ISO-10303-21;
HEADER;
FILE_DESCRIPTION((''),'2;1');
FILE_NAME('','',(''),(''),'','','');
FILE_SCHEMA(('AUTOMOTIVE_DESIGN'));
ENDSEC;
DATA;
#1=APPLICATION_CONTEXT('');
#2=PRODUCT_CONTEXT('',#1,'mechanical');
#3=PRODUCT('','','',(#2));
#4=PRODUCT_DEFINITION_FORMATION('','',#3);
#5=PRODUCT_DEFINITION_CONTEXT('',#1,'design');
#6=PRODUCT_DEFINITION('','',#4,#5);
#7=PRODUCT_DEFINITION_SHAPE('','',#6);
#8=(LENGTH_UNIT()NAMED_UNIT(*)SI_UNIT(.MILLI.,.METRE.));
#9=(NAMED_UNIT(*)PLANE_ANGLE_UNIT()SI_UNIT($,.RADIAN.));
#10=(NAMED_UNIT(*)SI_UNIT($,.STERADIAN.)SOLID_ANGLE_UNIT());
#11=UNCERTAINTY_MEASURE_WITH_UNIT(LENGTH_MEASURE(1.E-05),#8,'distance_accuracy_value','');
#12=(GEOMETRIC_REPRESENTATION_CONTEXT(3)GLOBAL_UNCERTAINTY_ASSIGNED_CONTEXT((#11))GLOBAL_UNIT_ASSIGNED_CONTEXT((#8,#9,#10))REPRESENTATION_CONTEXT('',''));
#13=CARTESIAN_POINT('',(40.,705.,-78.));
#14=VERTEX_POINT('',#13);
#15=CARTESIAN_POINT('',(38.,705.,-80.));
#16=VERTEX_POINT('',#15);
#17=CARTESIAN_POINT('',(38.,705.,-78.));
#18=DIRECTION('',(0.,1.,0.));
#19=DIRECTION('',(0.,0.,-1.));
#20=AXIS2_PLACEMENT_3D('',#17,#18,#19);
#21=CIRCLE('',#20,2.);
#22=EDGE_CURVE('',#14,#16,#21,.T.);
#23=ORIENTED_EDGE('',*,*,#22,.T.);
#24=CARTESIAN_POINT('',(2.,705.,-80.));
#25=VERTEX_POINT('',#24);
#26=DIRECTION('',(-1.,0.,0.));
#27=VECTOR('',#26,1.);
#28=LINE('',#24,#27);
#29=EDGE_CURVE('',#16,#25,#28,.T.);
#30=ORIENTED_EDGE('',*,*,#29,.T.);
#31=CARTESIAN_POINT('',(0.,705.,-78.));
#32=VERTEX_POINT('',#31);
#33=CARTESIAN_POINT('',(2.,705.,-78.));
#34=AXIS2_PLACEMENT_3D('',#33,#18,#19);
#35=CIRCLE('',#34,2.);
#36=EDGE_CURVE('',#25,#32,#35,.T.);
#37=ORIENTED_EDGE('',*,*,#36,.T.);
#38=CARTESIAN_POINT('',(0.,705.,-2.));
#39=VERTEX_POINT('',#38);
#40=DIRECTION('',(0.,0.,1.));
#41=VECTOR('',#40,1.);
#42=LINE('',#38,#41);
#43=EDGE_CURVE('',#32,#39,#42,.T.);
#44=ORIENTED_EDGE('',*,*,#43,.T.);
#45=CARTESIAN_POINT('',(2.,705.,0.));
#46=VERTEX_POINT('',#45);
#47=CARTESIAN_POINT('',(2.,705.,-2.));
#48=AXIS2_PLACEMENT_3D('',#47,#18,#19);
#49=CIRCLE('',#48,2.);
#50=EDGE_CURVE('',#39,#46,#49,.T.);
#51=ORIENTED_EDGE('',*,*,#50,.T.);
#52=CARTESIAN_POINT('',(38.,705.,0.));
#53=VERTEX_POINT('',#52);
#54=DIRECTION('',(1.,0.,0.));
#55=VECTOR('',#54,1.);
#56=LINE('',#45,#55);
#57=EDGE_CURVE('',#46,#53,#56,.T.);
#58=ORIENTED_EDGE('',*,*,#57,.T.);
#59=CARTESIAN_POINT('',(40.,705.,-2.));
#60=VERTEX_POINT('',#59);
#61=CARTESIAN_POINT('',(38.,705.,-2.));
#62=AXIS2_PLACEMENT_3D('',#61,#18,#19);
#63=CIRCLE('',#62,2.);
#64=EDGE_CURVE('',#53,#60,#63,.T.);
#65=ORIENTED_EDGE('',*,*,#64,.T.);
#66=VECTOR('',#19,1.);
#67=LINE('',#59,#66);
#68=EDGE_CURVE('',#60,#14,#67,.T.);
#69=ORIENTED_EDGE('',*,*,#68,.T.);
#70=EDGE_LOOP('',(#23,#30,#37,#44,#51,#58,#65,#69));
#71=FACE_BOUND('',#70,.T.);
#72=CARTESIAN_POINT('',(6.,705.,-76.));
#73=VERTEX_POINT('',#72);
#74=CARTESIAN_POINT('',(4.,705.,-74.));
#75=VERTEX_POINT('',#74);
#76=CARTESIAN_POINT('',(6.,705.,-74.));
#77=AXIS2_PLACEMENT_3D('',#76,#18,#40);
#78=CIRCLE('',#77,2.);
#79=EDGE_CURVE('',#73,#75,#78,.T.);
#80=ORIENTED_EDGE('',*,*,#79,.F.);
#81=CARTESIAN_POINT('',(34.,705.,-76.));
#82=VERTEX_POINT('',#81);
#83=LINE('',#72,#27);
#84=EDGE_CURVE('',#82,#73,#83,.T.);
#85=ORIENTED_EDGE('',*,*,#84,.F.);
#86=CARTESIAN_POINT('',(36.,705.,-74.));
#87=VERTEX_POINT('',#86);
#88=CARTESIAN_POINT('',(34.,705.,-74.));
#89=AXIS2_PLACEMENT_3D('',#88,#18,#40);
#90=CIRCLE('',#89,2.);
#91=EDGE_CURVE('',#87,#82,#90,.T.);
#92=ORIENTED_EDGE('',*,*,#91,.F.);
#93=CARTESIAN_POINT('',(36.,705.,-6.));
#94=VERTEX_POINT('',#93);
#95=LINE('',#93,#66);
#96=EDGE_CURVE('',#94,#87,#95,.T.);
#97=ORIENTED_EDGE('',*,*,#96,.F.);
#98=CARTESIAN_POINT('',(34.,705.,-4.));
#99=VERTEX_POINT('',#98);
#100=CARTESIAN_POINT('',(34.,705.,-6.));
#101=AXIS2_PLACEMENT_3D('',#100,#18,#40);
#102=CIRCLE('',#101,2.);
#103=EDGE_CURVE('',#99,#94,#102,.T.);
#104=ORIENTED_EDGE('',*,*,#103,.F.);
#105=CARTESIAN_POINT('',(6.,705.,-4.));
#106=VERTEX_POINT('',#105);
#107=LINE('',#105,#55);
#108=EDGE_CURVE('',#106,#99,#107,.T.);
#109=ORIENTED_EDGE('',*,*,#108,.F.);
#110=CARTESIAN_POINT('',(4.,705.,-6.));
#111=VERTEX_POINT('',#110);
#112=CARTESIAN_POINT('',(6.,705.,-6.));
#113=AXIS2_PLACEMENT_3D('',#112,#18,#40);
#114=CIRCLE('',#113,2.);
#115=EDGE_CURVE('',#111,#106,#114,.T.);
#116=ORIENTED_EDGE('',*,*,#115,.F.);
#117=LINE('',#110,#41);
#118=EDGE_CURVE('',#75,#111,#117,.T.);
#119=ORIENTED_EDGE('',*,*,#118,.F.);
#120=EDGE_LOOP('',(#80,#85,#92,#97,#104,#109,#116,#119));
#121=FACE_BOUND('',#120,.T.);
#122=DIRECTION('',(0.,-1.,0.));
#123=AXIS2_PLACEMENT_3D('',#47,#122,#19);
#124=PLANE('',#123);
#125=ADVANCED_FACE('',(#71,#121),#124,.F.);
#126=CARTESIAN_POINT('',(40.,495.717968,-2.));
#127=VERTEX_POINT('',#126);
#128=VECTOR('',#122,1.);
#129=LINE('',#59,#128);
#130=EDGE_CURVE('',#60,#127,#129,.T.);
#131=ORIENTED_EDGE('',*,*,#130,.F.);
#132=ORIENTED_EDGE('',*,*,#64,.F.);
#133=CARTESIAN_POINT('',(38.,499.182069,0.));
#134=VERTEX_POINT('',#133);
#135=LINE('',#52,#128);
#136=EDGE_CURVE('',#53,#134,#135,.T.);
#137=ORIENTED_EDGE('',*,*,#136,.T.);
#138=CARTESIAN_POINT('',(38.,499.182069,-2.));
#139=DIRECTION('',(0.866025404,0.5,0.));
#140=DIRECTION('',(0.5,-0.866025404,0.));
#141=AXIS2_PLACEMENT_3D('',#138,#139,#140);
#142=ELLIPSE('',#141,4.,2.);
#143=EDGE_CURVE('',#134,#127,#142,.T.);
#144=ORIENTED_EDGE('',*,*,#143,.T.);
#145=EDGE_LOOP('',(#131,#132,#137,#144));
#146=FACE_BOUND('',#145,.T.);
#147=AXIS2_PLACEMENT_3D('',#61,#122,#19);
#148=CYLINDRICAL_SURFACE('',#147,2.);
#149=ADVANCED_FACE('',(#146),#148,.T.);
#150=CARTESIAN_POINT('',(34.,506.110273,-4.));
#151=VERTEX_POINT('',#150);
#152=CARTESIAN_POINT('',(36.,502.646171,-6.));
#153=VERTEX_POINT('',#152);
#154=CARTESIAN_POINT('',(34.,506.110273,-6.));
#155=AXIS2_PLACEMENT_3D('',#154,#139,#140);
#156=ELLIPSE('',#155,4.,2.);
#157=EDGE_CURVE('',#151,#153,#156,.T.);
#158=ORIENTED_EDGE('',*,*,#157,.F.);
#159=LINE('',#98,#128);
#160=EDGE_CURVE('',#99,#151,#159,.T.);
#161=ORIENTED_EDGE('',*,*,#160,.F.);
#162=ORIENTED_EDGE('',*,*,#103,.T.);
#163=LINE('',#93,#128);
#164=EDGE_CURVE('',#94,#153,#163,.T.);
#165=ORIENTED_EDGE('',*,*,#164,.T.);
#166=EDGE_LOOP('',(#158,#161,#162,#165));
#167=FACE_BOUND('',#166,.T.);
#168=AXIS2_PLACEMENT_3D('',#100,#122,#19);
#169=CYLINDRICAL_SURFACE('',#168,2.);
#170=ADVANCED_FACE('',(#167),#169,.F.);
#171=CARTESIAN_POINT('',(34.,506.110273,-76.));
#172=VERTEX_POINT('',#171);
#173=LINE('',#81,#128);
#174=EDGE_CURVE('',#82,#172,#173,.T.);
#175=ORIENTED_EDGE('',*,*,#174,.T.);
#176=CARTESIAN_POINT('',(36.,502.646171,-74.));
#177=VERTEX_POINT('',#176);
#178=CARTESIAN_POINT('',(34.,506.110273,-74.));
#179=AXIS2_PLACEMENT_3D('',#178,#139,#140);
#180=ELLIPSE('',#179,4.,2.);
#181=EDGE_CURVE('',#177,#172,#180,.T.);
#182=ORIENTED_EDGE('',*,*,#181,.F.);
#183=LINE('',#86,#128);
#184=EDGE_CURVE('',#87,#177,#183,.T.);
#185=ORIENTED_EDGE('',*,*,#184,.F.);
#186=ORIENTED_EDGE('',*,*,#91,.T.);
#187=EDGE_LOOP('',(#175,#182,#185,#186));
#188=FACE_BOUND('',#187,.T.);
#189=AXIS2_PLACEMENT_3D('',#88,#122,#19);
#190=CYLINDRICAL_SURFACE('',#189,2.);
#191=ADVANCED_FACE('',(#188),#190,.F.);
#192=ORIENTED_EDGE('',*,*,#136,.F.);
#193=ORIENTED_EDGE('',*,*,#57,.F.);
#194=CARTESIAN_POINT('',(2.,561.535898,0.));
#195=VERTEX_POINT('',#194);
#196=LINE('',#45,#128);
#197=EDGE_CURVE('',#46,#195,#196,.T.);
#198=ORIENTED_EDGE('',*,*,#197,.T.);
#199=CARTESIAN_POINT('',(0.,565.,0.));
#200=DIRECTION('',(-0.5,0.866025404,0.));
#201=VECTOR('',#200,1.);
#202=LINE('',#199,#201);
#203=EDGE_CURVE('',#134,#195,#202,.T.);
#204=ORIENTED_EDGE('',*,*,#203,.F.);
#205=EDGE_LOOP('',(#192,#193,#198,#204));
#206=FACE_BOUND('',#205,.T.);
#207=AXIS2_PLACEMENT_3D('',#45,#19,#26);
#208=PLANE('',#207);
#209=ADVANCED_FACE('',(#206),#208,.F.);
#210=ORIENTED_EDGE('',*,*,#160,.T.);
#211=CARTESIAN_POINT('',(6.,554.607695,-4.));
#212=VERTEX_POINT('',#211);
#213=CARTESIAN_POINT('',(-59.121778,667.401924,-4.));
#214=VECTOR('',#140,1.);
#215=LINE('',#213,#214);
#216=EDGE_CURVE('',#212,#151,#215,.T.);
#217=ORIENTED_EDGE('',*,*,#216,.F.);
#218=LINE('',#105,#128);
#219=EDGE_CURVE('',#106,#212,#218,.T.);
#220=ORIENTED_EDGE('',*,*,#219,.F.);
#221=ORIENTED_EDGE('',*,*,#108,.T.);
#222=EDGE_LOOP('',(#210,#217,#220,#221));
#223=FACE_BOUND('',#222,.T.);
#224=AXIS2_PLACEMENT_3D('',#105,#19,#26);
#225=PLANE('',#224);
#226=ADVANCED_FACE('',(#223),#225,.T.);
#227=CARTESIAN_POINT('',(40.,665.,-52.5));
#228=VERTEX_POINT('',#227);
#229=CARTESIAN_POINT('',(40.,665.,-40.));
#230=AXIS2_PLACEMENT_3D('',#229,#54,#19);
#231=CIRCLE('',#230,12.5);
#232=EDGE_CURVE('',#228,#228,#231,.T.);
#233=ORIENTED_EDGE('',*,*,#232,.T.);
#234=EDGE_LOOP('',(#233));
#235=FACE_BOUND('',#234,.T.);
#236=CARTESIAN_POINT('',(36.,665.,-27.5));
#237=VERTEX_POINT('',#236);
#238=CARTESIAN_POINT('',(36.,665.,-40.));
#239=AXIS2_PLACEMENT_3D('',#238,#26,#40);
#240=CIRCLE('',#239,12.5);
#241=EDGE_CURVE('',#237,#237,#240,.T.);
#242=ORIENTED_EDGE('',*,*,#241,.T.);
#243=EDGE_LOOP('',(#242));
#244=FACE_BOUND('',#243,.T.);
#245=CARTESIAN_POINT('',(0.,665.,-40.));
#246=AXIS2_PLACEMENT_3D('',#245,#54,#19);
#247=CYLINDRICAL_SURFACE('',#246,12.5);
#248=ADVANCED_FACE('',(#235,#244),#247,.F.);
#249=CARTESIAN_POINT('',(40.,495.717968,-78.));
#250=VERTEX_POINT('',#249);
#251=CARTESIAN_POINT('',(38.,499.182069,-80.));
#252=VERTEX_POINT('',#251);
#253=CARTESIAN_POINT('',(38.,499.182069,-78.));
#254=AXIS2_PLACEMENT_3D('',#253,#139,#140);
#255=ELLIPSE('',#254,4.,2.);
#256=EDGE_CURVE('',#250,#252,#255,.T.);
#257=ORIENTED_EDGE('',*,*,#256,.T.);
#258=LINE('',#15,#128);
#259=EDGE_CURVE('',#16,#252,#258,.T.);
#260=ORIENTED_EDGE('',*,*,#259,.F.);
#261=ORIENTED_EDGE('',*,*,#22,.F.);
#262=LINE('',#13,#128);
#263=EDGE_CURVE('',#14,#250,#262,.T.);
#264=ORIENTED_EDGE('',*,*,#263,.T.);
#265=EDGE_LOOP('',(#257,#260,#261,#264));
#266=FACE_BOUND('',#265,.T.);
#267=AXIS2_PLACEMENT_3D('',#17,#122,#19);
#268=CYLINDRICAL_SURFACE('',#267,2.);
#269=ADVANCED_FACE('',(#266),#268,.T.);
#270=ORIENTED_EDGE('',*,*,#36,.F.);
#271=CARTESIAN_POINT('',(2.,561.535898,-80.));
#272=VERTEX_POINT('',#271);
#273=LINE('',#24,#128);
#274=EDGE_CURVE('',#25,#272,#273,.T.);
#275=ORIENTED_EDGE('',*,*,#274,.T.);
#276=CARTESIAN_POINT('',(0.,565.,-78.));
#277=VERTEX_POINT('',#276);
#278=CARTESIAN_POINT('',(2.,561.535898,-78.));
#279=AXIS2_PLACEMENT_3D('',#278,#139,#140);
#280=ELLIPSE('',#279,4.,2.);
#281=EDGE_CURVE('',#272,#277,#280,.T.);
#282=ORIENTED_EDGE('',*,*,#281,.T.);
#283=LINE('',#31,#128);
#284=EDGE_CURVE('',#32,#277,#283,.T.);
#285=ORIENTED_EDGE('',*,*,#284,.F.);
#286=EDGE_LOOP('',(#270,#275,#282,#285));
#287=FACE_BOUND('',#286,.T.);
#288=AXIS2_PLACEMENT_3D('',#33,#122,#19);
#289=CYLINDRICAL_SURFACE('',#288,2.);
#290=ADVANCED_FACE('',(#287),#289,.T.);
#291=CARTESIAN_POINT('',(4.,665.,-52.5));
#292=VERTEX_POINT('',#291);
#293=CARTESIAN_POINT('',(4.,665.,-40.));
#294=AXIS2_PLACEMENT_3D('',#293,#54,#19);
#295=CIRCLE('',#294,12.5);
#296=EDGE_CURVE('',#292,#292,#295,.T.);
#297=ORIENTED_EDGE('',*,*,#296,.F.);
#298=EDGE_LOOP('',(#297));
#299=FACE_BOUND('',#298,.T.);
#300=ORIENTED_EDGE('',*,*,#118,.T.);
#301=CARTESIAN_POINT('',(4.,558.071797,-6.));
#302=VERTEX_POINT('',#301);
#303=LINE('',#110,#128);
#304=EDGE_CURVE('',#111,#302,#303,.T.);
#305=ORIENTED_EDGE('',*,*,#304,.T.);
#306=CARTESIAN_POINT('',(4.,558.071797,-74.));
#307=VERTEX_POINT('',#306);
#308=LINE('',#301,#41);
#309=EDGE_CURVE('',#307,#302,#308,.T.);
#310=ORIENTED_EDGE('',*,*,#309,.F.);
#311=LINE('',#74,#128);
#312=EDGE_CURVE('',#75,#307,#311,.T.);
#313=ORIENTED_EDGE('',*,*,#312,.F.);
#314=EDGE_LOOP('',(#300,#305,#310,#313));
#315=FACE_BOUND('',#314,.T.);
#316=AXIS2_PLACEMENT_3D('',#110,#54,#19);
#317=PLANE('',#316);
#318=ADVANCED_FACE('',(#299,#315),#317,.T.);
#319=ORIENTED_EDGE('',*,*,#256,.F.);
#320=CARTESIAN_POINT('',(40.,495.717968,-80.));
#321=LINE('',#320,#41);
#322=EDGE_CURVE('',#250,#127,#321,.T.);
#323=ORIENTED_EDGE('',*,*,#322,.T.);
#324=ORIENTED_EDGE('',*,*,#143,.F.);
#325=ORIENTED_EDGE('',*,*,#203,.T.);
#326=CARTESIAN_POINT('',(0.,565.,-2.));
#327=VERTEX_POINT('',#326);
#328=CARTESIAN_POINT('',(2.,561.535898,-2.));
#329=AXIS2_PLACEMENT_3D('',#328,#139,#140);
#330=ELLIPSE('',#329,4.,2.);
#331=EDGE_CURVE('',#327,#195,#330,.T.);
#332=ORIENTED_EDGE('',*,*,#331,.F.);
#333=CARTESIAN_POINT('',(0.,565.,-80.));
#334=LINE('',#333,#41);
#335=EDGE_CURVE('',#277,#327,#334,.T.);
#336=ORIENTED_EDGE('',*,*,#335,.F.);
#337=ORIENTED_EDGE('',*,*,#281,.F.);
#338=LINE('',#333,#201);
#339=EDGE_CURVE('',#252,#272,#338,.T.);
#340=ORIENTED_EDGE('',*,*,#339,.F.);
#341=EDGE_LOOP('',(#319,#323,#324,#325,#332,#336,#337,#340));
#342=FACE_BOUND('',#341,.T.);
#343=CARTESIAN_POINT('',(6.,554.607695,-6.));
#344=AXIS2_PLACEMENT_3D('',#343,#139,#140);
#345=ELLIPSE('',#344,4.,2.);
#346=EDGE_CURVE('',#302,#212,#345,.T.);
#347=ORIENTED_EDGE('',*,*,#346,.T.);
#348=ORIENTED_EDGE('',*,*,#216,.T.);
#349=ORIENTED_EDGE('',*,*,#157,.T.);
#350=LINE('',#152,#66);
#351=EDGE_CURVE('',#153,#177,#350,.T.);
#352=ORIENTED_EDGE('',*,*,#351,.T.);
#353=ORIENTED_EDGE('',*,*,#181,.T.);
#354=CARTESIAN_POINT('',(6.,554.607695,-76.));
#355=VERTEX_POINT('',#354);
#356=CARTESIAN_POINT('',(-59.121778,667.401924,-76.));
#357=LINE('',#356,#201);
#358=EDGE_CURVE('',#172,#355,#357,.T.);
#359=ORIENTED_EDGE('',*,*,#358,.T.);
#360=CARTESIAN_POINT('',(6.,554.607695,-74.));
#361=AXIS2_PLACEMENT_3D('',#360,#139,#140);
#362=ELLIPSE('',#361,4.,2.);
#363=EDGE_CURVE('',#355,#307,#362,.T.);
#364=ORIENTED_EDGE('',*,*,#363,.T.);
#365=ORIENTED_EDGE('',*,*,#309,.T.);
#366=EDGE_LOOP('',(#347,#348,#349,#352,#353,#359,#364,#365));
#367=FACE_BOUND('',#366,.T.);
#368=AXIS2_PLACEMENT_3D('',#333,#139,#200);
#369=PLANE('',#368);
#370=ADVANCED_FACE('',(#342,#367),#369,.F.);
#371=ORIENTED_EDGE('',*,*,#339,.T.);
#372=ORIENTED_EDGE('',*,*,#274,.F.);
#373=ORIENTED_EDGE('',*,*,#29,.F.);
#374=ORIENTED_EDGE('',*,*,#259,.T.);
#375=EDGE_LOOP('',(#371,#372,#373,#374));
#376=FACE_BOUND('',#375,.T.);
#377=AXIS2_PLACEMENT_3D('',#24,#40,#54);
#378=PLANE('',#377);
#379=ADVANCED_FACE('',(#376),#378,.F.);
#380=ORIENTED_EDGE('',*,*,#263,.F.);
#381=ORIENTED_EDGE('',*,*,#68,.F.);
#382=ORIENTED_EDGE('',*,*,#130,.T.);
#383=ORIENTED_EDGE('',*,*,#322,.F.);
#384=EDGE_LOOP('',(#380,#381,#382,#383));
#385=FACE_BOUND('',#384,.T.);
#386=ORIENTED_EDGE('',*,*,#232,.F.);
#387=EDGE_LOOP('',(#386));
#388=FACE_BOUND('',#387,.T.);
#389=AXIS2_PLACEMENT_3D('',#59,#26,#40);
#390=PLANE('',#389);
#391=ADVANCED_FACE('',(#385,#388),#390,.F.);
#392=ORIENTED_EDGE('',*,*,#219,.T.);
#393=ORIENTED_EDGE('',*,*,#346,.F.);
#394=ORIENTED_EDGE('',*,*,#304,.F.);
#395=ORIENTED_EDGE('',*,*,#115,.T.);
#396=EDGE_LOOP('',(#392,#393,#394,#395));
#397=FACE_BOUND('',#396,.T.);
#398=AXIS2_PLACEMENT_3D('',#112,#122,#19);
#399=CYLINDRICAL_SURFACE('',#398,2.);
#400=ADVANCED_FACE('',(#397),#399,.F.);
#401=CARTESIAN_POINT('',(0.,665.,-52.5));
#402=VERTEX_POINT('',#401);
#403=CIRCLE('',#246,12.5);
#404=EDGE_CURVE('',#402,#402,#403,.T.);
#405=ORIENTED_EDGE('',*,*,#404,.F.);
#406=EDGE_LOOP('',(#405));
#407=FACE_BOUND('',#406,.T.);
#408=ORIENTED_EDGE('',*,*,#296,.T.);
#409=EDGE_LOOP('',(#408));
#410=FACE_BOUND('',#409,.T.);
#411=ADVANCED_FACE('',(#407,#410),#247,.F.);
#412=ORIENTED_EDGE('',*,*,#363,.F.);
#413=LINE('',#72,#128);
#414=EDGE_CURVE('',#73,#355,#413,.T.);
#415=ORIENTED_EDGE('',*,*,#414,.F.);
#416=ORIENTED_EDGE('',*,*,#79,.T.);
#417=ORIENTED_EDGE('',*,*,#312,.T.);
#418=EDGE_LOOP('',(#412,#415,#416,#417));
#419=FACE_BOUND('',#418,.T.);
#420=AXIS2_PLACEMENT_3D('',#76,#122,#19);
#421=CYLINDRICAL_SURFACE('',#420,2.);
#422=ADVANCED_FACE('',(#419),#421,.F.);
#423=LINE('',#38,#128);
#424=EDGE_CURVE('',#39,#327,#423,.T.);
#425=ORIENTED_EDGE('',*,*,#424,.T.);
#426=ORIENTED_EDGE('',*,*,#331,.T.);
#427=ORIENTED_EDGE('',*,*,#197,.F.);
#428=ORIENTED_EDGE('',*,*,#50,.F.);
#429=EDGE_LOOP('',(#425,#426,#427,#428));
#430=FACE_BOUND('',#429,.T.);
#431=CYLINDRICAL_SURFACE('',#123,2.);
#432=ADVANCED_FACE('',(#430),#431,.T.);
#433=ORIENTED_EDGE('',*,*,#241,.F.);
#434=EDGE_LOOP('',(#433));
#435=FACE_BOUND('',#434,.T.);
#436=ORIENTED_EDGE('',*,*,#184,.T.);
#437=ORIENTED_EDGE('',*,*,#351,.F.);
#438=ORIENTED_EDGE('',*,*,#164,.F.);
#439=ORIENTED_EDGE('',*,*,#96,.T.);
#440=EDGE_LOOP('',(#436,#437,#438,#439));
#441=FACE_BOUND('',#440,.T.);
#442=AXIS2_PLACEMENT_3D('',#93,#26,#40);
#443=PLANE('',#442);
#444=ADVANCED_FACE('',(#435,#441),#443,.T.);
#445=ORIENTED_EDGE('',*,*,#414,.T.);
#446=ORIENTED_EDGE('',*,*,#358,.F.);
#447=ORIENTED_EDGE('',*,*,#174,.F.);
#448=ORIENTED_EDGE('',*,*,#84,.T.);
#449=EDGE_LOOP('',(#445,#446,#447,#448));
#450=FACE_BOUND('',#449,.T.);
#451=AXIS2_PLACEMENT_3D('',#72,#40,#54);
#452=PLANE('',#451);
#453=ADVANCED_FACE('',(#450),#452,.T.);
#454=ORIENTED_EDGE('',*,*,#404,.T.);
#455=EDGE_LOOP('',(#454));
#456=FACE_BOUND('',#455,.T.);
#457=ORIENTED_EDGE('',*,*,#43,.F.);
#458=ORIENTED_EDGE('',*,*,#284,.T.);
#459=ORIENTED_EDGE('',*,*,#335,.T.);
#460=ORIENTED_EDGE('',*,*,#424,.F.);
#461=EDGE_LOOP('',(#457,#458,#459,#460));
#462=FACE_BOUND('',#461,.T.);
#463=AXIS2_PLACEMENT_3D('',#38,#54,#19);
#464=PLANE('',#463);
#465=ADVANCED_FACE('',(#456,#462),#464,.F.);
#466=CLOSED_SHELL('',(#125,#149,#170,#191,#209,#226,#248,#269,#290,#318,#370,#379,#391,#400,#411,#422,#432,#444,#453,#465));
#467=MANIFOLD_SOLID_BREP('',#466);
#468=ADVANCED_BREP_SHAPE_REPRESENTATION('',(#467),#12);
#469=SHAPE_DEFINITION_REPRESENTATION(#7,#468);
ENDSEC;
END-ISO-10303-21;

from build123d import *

# Parameters (mm, degrees)
BOSS_EXTRU_1_DEPTH      = 705
ESQUISSE3_R             = 10.125
ESQUISSE3_R_2           = 12.5
ENL_V_MAT_EXTRU_1_DEPTH = 711.651109899
ENL_V_MAT_EXTRU_2_DEPTH = 711.651109899


with BuildPart() as part:
    # Esquisse2 → Boss.-Extru.1 (new body)
    with BuildSketch(Plane(origin=(0, 0, 0), x_dir=(1, 0, 0), z_dir=(0, 1, 0))):
        with BuildLine():
            Line((2, 0), (38, 0))
            ThreePointArc((38, 0), (39.414213562, 0.585786438), (40, 2))
            Line((40, 2), (40, 78))
            ThreePointArc((40, 78), (39.414213562, 79.414213562), (38, 80))
            Line((38, 80), (2, 80))
            ThreePointArc((2, 80), (0.585786438, 79.414213562), (0, 78))
            Line((0, 78), (0, 2))
            ThreePointArc((0, 2), (0.585786438, 0.585786438), (2, 0))
        make_face()
        with BuildLine():
            Line((6, 4), (34, 4))
            ThreePointArc((34, 4), (35.414213562, 4.585786438), (36, 6))
            Line((36, 6), (36, 74))
            ThreePointArc((36, 74), (35.414213562, 75.414213562), (34, 76))
            Line((34, 76), (6, 76))
            ThreePointArc((6, 76), (4.585786438, 75.414213562), (4, 74))
            Line((4, 74), (4, 6))
            ThreePointArc((4, 6), (4.585786438, 4.585786438), (6, 4))
        make_face(mode=Mode.SUBTRACT)
    extrude(amount=BOSS_EXTRU_1_DEPTH)

    # Esquisse3 → Enlèv. mat.-Extru.1 (cut, through all)
    with BuildSketch(Plane(origin=(40, 0, 0), x_dir=(0, 0, -1), z_dir=(1, 0, 0))):
        with Locations((40, 90)):
            Circle(ESQUISSE3_R)
        with Locations((40, 665)):
            Circle(ESQUISSE3_R_2)
    extrude(amount=-ENL_V_MAT_EXTRU_1_DEPTH, mode=Mode.SUBTRACT)

    # Esquisse4 → Enlèv. mat.-Extru.2 (cut, through all)
    with BuildSketch(Plane.XY):
        Polygon((0, 565), (40, 495.717967697), (40, 0), (0, 0), align=None)
    extrude(amount=-ENL_V_MAT_EXTRU_2_DEPTH, mode=Mode.SUBTRACT)


solid = part.part
